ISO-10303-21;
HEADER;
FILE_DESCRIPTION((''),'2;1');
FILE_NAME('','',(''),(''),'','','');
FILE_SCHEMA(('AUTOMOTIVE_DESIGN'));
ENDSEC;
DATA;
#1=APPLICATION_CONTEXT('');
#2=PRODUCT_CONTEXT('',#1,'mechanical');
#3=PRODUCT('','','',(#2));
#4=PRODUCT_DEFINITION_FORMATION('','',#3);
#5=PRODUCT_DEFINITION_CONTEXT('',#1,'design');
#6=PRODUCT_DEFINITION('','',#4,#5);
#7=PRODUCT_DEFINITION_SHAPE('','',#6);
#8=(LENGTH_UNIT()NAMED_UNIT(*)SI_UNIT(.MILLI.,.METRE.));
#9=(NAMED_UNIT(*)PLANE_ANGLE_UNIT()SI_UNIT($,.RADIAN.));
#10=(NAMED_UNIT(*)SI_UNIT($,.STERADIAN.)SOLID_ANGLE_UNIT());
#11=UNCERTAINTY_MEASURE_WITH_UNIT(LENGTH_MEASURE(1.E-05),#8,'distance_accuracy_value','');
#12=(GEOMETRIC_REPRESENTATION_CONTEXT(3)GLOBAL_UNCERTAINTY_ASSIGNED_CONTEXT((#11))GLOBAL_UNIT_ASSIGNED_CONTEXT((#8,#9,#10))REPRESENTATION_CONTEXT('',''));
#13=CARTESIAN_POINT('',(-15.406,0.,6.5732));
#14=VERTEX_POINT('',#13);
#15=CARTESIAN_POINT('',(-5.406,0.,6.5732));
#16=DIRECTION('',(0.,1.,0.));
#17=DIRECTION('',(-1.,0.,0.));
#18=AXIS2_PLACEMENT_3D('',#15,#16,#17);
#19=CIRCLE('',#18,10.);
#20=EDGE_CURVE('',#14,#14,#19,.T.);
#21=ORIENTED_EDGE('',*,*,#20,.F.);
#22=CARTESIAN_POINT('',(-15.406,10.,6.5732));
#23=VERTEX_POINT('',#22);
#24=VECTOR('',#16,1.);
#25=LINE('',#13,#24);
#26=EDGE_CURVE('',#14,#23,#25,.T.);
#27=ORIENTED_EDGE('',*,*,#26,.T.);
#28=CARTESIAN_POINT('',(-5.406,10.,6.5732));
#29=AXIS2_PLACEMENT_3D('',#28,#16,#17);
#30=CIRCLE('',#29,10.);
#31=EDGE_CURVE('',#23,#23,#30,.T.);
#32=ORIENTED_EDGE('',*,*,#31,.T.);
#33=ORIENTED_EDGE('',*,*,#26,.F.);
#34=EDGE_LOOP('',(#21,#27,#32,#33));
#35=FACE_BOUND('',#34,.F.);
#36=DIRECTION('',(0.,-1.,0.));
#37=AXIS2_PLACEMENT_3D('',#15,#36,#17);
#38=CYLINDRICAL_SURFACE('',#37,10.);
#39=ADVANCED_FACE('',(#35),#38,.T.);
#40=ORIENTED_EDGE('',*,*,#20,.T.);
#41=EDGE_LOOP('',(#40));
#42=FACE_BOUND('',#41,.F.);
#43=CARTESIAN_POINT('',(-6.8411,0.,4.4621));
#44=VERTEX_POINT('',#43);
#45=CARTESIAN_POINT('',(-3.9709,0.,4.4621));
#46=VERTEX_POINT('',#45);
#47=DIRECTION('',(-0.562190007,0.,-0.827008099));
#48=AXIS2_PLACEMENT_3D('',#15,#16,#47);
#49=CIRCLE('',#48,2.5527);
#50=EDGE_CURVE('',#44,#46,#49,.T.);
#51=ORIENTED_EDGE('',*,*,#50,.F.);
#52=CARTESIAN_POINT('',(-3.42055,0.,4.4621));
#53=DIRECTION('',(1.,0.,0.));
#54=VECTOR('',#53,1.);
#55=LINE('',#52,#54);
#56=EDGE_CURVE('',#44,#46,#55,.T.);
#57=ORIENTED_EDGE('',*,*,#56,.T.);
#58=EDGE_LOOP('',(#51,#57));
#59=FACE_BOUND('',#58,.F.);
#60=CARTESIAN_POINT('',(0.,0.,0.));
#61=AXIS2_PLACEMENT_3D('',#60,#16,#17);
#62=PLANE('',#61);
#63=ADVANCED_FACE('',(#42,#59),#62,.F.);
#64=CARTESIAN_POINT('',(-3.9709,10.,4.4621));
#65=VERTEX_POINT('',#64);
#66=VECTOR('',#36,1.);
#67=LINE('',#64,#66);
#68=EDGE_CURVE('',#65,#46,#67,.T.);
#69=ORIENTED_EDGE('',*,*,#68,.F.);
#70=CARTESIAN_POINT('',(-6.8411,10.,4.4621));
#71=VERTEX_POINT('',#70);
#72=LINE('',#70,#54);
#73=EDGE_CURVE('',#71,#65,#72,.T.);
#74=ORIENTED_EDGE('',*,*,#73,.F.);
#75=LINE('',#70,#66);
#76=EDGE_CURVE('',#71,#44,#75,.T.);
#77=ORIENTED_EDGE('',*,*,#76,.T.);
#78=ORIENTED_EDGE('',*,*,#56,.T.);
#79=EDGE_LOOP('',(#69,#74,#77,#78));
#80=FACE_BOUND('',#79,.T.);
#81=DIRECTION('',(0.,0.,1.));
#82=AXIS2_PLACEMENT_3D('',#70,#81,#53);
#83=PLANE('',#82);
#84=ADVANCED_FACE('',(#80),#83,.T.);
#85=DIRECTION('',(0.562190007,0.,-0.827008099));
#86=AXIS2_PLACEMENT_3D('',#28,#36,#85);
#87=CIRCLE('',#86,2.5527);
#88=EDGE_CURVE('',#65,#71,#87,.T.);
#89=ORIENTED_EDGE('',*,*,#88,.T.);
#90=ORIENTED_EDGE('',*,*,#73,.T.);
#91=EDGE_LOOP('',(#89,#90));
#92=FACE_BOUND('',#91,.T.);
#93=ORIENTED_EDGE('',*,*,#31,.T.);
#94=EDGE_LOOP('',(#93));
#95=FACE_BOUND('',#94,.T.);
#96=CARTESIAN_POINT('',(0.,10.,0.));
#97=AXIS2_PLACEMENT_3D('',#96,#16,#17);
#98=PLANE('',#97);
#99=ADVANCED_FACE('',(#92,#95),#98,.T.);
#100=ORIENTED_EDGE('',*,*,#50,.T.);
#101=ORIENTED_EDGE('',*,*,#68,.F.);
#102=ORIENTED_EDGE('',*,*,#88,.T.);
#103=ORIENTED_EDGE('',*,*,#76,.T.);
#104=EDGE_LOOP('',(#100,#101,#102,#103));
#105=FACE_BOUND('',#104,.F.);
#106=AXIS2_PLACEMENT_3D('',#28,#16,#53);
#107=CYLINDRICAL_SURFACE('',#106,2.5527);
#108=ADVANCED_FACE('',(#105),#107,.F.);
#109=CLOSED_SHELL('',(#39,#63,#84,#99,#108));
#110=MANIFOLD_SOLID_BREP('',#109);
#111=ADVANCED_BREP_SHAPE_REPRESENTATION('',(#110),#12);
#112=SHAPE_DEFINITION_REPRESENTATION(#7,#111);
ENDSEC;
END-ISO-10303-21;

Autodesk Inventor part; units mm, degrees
ref_plane "YZ Plane" through (0, 0, 0) normal (1, 0, 0) x (0, 1, 0)
ref_plane "XZ Plane" through (0, 0, 0) normal (0, 1, 0) x (-1, 0, 0)
ref_plane "XY Plane" through (0, 0, 0) normal (0, 0, 1) x (1, 0, 0)
sketch "Sketch1" plane through (0, 0, 0) normal (0, 1, 0) x (-1, 0, 0)
  circle A0 centre (5.406, 6.5732) radius 10
  point P0 (0, 0)
  dimension "d0" = 20
extrude "Extrusion1" add sketch "Sketch1" along normal blind 10
sketch "Sketch4" plane through (-5.406, 10, 6.5732) normal (0, 1, 0) x (1, 0, 0)
  circle A0 centre (0, 0) radius 2.5527
  circle A1 centre (0, 0) radius 10 projected
  line L0 (-1.4351, 2.1111) -> (1.4351, 2.1111)
  point P0 (5.406, 6.5732)
  dimension "d10" = 5.1054
  dimension "d11" = 2.8702
extrude "Extrusion3" cut sketch "Sketch4" against normal blind 50 contours A0 L0 picked at (0.1004, 0.5624)
properties part number "steppermotorcap"
